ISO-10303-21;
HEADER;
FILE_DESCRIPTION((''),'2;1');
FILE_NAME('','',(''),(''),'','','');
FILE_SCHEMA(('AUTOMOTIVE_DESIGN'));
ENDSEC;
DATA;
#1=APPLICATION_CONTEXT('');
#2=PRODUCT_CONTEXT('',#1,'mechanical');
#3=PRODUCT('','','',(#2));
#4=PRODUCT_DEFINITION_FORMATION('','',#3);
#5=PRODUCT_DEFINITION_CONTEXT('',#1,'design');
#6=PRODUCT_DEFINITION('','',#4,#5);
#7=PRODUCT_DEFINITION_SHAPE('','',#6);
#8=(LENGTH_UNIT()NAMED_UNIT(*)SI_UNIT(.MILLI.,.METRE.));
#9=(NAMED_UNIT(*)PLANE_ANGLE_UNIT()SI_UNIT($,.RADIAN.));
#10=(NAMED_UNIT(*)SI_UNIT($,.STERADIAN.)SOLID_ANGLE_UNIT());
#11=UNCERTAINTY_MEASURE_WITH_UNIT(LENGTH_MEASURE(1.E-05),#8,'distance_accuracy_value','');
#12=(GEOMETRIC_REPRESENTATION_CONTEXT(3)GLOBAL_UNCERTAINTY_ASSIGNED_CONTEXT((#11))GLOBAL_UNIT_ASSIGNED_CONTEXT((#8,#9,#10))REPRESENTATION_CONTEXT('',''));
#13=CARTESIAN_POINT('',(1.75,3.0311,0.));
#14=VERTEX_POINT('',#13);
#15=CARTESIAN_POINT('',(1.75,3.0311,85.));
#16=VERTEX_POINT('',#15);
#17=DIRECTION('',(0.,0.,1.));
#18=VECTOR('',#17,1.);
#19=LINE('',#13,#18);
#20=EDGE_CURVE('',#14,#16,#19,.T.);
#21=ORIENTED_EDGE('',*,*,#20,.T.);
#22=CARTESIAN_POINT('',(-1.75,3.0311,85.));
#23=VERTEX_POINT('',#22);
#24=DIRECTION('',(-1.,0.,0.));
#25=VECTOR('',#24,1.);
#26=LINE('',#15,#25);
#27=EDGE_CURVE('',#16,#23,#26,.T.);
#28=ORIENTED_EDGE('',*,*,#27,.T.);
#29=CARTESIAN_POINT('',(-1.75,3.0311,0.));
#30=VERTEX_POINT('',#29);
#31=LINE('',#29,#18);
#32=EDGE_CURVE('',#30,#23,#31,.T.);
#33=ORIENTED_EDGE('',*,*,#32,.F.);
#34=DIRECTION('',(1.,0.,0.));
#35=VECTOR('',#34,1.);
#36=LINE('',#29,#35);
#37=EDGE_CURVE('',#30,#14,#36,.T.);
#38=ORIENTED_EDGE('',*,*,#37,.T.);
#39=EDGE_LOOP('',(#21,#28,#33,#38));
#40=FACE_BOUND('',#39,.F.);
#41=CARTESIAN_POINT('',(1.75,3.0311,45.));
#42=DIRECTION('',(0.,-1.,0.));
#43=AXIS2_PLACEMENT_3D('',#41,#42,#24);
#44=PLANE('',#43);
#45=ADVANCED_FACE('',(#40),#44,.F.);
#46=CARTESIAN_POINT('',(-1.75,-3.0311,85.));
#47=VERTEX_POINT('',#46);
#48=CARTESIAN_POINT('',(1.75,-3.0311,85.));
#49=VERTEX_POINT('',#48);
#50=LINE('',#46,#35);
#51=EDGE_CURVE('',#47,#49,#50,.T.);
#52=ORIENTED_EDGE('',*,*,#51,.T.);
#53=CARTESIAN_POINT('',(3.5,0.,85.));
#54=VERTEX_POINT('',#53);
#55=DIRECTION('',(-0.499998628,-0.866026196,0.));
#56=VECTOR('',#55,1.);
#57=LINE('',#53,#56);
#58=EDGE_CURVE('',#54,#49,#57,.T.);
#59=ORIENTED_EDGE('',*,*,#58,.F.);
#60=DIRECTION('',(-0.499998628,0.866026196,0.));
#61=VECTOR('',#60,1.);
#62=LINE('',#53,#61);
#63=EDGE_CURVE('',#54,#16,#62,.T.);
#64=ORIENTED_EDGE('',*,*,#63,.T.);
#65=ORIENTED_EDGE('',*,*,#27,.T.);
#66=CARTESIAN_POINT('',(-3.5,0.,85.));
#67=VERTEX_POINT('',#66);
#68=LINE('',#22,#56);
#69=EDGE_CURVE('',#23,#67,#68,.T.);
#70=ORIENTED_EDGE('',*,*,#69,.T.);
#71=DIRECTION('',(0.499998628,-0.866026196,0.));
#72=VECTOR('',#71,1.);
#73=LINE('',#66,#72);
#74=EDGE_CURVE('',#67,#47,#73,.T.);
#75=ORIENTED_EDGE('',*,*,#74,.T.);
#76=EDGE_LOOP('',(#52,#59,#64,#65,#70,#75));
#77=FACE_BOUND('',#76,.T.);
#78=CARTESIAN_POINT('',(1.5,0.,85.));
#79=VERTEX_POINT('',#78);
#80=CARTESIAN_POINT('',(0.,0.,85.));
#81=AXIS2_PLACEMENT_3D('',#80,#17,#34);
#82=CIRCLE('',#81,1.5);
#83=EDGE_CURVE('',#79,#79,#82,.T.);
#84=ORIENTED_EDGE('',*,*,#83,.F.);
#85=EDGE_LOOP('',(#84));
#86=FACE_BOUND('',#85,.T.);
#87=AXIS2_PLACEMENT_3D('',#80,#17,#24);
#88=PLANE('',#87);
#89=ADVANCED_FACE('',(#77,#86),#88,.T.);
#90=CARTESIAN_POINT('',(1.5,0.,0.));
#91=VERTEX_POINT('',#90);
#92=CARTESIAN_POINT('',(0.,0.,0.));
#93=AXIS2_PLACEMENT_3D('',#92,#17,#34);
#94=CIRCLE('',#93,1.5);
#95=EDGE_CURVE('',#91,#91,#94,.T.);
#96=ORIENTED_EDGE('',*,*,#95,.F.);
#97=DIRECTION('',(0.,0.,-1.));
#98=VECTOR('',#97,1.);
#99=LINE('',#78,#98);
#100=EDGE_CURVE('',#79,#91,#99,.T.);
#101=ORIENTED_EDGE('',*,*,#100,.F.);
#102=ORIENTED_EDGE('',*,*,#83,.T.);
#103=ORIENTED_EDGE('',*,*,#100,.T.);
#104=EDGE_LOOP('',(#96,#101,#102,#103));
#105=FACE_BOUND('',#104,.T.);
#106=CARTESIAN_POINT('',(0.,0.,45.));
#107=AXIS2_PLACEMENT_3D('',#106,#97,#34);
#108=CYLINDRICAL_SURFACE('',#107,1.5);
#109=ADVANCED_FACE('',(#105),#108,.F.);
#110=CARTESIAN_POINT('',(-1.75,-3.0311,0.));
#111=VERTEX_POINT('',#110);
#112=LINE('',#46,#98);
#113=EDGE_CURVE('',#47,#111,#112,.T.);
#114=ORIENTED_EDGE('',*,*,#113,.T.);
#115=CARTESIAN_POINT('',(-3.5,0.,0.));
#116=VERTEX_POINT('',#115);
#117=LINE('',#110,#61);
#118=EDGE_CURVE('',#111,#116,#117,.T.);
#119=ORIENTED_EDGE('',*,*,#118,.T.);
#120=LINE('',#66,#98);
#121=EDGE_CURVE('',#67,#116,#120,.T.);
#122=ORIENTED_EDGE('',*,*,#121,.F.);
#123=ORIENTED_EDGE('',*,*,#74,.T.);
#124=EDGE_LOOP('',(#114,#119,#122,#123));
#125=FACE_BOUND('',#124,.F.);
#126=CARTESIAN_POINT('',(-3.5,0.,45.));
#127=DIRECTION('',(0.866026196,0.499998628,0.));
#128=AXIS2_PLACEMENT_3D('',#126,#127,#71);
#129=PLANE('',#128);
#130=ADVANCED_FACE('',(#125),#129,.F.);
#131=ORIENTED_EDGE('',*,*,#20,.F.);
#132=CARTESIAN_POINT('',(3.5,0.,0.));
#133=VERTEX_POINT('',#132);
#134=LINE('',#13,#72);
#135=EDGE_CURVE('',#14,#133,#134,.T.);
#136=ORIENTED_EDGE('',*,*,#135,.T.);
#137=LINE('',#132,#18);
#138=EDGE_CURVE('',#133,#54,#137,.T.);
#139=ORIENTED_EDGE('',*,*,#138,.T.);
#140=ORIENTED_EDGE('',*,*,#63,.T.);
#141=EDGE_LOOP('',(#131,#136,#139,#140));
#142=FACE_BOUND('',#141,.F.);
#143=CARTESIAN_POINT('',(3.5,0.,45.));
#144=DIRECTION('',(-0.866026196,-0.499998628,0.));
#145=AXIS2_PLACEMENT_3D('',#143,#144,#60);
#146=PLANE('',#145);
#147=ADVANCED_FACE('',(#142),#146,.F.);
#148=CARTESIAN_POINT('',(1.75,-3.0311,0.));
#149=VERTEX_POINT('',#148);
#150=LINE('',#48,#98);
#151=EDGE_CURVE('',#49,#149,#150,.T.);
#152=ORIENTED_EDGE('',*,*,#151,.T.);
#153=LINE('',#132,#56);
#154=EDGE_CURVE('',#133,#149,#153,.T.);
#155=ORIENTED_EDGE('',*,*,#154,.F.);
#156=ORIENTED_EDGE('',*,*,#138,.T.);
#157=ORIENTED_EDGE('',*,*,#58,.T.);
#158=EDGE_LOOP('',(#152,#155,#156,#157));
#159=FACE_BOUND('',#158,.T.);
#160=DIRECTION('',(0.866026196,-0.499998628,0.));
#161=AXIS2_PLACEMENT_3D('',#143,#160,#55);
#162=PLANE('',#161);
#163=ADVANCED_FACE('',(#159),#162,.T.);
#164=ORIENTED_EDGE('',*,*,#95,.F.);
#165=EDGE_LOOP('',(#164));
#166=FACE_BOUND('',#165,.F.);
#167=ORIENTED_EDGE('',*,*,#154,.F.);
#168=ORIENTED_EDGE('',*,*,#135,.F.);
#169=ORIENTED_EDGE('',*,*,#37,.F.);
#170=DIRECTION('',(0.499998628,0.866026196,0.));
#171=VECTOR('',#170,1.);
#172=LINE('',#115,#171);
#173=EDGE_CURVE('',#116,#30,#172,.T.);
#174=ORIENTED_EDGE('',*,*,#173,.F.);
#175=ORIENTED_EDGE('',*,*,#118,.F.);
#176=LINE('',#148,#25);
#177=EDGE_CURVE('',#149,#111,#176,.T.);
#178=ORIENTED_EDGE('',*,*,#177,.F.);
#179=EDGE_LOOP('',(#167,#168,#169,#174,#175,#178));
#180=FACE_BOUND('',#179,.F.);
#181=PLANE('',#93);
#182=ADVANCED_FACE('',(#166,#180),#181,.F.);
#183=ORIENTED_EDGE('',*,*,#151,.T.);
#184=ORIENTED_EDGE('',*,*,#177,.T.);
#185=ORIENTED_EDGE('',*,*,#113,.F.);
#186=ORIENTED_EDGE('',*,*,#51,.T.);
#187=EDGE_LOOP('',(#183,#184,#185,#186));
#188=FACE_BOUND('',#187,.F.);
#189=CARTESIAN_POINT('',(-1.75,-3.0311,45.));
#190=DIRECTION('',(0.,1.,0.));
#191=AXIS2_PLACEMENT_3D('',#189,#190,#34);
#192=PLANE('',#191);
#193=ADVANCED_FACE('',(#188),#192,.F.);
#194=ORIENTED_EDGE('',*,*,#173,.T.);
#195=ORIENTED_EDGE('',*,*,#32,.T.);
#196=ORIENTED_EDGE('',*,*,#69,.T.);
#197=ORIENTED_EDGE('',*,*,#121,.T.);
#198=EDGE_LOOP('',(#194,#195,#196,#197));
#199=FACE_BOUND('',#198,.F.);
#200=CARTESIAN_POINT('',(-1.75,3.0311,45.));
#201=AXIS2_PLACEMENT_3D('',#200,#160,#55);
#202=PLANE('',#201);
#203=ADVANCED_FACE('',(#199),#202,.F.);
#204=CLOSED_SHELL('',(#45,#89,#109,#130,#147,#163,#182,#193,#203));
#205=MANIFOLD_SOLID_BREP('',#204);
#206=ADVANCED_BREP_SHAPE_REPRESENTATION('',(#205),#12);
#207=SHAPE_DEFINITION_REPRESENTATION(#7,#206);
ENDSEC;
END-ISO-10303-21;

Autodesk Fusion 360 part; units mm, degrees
sketch "スケッチ1" plane through (0, 0, 0) normal (0, 0, 1) x (1, 0, 0)
  line L0 (3, 1.7321) -> (0, 3.4641)
  line L1 (0, 3.4641) -> (-3, 1.7321)
  line L2 (-3, 1.7321) -> (-3, -1.7321)
  line L3 (-3, -1.7321) -> (0, -3.4641)
  line L4 (0, -3.4641) -> (3, -1.7321)
  line L5 (3, -1.7321) -> (3, 1.7321)
  circle A0 centre (0, 0) radius 1.5
extrude "押し出し1" add sketch "スケッチ1" along normal blind 35
sketch "スケッチ2" plane through (0, 0, 35) normal (0, 0, 1) x (-1, 0, 0)
  circle A0 centre (0, 0) radius 1.5
  line L0 (-3, 1.7321) -> (-3, -1.7321)
  line L1 (-3, -1.7321) -> (0, -3.4641)
  line L2 (0, -3.4641) -> (3, -1.7321)
  line L3 (3, -1.7321) -> (3, 1.7321)
  line L4 (3, 1.7321) -> (0, 3.4641)
  line L5 (0, 3.4641) -> (-3, 1.7321)
  line L6 (-3.5, 0) -> (-1.75, -3.0311)
  line L7 (-1.75, -3.0311) -> (1.75, -3.0311)
  line L8 (1.75, -3.0311) -> (3.5, 0)
  line L9 (3.5, 0) -> (1.75, 3.0311)
  line L10 (1.75, 3.0311) -> (-1.75, 3.0311)
  line L11 (-1.75, 3.0311) -> (-3.5, 0)
extrude "押し出し2" add sketch "スケッチ2" along normal blind 4 contours L0 L1 L2 L3 L4 L5 L6 L7 L8 L9 L10 L11 | L0 L6 L11 | L5 L10 L11 | L1 L6 L7 | L4 L9 L10 | L2 L7 L8 | L3 L8 L9
extrude "押し出し3" cut 6 faces at (0, -3.1754, 35) (2.75, -1.5877, 35) (-2.75, -1.5877, 35) (-2.75, 1.5877, 35) (0, 3.1754, 35) (2.75, 1.5877, 35) along direction (0, 0, -1) blind 40
extrude "押し出し4" add 6 faces at (1.5833, 2.7424, 35) (3.1667, 0, 35) (-1.5833, 2.7424, 35) (1.5833, -2.7424, 35) (-1.5833, -2.7424, 35) (-3.1667, 0, 35) along direction (0, 0, -1) blind 35
extrude "押し出し5" cut 1 faces at (2.2005, 1.2273, 39) along direction (0, 0, -1) blind 4
extrude "押し出し6" add 1 faces at (0.0374, 2.5193, 35) along direction (0, 0, 1) blind 10
extrude "押し出し7" add 1 faces at (0.0374, 2.5193, 45) along direction (0, 0, 1) blind 40
